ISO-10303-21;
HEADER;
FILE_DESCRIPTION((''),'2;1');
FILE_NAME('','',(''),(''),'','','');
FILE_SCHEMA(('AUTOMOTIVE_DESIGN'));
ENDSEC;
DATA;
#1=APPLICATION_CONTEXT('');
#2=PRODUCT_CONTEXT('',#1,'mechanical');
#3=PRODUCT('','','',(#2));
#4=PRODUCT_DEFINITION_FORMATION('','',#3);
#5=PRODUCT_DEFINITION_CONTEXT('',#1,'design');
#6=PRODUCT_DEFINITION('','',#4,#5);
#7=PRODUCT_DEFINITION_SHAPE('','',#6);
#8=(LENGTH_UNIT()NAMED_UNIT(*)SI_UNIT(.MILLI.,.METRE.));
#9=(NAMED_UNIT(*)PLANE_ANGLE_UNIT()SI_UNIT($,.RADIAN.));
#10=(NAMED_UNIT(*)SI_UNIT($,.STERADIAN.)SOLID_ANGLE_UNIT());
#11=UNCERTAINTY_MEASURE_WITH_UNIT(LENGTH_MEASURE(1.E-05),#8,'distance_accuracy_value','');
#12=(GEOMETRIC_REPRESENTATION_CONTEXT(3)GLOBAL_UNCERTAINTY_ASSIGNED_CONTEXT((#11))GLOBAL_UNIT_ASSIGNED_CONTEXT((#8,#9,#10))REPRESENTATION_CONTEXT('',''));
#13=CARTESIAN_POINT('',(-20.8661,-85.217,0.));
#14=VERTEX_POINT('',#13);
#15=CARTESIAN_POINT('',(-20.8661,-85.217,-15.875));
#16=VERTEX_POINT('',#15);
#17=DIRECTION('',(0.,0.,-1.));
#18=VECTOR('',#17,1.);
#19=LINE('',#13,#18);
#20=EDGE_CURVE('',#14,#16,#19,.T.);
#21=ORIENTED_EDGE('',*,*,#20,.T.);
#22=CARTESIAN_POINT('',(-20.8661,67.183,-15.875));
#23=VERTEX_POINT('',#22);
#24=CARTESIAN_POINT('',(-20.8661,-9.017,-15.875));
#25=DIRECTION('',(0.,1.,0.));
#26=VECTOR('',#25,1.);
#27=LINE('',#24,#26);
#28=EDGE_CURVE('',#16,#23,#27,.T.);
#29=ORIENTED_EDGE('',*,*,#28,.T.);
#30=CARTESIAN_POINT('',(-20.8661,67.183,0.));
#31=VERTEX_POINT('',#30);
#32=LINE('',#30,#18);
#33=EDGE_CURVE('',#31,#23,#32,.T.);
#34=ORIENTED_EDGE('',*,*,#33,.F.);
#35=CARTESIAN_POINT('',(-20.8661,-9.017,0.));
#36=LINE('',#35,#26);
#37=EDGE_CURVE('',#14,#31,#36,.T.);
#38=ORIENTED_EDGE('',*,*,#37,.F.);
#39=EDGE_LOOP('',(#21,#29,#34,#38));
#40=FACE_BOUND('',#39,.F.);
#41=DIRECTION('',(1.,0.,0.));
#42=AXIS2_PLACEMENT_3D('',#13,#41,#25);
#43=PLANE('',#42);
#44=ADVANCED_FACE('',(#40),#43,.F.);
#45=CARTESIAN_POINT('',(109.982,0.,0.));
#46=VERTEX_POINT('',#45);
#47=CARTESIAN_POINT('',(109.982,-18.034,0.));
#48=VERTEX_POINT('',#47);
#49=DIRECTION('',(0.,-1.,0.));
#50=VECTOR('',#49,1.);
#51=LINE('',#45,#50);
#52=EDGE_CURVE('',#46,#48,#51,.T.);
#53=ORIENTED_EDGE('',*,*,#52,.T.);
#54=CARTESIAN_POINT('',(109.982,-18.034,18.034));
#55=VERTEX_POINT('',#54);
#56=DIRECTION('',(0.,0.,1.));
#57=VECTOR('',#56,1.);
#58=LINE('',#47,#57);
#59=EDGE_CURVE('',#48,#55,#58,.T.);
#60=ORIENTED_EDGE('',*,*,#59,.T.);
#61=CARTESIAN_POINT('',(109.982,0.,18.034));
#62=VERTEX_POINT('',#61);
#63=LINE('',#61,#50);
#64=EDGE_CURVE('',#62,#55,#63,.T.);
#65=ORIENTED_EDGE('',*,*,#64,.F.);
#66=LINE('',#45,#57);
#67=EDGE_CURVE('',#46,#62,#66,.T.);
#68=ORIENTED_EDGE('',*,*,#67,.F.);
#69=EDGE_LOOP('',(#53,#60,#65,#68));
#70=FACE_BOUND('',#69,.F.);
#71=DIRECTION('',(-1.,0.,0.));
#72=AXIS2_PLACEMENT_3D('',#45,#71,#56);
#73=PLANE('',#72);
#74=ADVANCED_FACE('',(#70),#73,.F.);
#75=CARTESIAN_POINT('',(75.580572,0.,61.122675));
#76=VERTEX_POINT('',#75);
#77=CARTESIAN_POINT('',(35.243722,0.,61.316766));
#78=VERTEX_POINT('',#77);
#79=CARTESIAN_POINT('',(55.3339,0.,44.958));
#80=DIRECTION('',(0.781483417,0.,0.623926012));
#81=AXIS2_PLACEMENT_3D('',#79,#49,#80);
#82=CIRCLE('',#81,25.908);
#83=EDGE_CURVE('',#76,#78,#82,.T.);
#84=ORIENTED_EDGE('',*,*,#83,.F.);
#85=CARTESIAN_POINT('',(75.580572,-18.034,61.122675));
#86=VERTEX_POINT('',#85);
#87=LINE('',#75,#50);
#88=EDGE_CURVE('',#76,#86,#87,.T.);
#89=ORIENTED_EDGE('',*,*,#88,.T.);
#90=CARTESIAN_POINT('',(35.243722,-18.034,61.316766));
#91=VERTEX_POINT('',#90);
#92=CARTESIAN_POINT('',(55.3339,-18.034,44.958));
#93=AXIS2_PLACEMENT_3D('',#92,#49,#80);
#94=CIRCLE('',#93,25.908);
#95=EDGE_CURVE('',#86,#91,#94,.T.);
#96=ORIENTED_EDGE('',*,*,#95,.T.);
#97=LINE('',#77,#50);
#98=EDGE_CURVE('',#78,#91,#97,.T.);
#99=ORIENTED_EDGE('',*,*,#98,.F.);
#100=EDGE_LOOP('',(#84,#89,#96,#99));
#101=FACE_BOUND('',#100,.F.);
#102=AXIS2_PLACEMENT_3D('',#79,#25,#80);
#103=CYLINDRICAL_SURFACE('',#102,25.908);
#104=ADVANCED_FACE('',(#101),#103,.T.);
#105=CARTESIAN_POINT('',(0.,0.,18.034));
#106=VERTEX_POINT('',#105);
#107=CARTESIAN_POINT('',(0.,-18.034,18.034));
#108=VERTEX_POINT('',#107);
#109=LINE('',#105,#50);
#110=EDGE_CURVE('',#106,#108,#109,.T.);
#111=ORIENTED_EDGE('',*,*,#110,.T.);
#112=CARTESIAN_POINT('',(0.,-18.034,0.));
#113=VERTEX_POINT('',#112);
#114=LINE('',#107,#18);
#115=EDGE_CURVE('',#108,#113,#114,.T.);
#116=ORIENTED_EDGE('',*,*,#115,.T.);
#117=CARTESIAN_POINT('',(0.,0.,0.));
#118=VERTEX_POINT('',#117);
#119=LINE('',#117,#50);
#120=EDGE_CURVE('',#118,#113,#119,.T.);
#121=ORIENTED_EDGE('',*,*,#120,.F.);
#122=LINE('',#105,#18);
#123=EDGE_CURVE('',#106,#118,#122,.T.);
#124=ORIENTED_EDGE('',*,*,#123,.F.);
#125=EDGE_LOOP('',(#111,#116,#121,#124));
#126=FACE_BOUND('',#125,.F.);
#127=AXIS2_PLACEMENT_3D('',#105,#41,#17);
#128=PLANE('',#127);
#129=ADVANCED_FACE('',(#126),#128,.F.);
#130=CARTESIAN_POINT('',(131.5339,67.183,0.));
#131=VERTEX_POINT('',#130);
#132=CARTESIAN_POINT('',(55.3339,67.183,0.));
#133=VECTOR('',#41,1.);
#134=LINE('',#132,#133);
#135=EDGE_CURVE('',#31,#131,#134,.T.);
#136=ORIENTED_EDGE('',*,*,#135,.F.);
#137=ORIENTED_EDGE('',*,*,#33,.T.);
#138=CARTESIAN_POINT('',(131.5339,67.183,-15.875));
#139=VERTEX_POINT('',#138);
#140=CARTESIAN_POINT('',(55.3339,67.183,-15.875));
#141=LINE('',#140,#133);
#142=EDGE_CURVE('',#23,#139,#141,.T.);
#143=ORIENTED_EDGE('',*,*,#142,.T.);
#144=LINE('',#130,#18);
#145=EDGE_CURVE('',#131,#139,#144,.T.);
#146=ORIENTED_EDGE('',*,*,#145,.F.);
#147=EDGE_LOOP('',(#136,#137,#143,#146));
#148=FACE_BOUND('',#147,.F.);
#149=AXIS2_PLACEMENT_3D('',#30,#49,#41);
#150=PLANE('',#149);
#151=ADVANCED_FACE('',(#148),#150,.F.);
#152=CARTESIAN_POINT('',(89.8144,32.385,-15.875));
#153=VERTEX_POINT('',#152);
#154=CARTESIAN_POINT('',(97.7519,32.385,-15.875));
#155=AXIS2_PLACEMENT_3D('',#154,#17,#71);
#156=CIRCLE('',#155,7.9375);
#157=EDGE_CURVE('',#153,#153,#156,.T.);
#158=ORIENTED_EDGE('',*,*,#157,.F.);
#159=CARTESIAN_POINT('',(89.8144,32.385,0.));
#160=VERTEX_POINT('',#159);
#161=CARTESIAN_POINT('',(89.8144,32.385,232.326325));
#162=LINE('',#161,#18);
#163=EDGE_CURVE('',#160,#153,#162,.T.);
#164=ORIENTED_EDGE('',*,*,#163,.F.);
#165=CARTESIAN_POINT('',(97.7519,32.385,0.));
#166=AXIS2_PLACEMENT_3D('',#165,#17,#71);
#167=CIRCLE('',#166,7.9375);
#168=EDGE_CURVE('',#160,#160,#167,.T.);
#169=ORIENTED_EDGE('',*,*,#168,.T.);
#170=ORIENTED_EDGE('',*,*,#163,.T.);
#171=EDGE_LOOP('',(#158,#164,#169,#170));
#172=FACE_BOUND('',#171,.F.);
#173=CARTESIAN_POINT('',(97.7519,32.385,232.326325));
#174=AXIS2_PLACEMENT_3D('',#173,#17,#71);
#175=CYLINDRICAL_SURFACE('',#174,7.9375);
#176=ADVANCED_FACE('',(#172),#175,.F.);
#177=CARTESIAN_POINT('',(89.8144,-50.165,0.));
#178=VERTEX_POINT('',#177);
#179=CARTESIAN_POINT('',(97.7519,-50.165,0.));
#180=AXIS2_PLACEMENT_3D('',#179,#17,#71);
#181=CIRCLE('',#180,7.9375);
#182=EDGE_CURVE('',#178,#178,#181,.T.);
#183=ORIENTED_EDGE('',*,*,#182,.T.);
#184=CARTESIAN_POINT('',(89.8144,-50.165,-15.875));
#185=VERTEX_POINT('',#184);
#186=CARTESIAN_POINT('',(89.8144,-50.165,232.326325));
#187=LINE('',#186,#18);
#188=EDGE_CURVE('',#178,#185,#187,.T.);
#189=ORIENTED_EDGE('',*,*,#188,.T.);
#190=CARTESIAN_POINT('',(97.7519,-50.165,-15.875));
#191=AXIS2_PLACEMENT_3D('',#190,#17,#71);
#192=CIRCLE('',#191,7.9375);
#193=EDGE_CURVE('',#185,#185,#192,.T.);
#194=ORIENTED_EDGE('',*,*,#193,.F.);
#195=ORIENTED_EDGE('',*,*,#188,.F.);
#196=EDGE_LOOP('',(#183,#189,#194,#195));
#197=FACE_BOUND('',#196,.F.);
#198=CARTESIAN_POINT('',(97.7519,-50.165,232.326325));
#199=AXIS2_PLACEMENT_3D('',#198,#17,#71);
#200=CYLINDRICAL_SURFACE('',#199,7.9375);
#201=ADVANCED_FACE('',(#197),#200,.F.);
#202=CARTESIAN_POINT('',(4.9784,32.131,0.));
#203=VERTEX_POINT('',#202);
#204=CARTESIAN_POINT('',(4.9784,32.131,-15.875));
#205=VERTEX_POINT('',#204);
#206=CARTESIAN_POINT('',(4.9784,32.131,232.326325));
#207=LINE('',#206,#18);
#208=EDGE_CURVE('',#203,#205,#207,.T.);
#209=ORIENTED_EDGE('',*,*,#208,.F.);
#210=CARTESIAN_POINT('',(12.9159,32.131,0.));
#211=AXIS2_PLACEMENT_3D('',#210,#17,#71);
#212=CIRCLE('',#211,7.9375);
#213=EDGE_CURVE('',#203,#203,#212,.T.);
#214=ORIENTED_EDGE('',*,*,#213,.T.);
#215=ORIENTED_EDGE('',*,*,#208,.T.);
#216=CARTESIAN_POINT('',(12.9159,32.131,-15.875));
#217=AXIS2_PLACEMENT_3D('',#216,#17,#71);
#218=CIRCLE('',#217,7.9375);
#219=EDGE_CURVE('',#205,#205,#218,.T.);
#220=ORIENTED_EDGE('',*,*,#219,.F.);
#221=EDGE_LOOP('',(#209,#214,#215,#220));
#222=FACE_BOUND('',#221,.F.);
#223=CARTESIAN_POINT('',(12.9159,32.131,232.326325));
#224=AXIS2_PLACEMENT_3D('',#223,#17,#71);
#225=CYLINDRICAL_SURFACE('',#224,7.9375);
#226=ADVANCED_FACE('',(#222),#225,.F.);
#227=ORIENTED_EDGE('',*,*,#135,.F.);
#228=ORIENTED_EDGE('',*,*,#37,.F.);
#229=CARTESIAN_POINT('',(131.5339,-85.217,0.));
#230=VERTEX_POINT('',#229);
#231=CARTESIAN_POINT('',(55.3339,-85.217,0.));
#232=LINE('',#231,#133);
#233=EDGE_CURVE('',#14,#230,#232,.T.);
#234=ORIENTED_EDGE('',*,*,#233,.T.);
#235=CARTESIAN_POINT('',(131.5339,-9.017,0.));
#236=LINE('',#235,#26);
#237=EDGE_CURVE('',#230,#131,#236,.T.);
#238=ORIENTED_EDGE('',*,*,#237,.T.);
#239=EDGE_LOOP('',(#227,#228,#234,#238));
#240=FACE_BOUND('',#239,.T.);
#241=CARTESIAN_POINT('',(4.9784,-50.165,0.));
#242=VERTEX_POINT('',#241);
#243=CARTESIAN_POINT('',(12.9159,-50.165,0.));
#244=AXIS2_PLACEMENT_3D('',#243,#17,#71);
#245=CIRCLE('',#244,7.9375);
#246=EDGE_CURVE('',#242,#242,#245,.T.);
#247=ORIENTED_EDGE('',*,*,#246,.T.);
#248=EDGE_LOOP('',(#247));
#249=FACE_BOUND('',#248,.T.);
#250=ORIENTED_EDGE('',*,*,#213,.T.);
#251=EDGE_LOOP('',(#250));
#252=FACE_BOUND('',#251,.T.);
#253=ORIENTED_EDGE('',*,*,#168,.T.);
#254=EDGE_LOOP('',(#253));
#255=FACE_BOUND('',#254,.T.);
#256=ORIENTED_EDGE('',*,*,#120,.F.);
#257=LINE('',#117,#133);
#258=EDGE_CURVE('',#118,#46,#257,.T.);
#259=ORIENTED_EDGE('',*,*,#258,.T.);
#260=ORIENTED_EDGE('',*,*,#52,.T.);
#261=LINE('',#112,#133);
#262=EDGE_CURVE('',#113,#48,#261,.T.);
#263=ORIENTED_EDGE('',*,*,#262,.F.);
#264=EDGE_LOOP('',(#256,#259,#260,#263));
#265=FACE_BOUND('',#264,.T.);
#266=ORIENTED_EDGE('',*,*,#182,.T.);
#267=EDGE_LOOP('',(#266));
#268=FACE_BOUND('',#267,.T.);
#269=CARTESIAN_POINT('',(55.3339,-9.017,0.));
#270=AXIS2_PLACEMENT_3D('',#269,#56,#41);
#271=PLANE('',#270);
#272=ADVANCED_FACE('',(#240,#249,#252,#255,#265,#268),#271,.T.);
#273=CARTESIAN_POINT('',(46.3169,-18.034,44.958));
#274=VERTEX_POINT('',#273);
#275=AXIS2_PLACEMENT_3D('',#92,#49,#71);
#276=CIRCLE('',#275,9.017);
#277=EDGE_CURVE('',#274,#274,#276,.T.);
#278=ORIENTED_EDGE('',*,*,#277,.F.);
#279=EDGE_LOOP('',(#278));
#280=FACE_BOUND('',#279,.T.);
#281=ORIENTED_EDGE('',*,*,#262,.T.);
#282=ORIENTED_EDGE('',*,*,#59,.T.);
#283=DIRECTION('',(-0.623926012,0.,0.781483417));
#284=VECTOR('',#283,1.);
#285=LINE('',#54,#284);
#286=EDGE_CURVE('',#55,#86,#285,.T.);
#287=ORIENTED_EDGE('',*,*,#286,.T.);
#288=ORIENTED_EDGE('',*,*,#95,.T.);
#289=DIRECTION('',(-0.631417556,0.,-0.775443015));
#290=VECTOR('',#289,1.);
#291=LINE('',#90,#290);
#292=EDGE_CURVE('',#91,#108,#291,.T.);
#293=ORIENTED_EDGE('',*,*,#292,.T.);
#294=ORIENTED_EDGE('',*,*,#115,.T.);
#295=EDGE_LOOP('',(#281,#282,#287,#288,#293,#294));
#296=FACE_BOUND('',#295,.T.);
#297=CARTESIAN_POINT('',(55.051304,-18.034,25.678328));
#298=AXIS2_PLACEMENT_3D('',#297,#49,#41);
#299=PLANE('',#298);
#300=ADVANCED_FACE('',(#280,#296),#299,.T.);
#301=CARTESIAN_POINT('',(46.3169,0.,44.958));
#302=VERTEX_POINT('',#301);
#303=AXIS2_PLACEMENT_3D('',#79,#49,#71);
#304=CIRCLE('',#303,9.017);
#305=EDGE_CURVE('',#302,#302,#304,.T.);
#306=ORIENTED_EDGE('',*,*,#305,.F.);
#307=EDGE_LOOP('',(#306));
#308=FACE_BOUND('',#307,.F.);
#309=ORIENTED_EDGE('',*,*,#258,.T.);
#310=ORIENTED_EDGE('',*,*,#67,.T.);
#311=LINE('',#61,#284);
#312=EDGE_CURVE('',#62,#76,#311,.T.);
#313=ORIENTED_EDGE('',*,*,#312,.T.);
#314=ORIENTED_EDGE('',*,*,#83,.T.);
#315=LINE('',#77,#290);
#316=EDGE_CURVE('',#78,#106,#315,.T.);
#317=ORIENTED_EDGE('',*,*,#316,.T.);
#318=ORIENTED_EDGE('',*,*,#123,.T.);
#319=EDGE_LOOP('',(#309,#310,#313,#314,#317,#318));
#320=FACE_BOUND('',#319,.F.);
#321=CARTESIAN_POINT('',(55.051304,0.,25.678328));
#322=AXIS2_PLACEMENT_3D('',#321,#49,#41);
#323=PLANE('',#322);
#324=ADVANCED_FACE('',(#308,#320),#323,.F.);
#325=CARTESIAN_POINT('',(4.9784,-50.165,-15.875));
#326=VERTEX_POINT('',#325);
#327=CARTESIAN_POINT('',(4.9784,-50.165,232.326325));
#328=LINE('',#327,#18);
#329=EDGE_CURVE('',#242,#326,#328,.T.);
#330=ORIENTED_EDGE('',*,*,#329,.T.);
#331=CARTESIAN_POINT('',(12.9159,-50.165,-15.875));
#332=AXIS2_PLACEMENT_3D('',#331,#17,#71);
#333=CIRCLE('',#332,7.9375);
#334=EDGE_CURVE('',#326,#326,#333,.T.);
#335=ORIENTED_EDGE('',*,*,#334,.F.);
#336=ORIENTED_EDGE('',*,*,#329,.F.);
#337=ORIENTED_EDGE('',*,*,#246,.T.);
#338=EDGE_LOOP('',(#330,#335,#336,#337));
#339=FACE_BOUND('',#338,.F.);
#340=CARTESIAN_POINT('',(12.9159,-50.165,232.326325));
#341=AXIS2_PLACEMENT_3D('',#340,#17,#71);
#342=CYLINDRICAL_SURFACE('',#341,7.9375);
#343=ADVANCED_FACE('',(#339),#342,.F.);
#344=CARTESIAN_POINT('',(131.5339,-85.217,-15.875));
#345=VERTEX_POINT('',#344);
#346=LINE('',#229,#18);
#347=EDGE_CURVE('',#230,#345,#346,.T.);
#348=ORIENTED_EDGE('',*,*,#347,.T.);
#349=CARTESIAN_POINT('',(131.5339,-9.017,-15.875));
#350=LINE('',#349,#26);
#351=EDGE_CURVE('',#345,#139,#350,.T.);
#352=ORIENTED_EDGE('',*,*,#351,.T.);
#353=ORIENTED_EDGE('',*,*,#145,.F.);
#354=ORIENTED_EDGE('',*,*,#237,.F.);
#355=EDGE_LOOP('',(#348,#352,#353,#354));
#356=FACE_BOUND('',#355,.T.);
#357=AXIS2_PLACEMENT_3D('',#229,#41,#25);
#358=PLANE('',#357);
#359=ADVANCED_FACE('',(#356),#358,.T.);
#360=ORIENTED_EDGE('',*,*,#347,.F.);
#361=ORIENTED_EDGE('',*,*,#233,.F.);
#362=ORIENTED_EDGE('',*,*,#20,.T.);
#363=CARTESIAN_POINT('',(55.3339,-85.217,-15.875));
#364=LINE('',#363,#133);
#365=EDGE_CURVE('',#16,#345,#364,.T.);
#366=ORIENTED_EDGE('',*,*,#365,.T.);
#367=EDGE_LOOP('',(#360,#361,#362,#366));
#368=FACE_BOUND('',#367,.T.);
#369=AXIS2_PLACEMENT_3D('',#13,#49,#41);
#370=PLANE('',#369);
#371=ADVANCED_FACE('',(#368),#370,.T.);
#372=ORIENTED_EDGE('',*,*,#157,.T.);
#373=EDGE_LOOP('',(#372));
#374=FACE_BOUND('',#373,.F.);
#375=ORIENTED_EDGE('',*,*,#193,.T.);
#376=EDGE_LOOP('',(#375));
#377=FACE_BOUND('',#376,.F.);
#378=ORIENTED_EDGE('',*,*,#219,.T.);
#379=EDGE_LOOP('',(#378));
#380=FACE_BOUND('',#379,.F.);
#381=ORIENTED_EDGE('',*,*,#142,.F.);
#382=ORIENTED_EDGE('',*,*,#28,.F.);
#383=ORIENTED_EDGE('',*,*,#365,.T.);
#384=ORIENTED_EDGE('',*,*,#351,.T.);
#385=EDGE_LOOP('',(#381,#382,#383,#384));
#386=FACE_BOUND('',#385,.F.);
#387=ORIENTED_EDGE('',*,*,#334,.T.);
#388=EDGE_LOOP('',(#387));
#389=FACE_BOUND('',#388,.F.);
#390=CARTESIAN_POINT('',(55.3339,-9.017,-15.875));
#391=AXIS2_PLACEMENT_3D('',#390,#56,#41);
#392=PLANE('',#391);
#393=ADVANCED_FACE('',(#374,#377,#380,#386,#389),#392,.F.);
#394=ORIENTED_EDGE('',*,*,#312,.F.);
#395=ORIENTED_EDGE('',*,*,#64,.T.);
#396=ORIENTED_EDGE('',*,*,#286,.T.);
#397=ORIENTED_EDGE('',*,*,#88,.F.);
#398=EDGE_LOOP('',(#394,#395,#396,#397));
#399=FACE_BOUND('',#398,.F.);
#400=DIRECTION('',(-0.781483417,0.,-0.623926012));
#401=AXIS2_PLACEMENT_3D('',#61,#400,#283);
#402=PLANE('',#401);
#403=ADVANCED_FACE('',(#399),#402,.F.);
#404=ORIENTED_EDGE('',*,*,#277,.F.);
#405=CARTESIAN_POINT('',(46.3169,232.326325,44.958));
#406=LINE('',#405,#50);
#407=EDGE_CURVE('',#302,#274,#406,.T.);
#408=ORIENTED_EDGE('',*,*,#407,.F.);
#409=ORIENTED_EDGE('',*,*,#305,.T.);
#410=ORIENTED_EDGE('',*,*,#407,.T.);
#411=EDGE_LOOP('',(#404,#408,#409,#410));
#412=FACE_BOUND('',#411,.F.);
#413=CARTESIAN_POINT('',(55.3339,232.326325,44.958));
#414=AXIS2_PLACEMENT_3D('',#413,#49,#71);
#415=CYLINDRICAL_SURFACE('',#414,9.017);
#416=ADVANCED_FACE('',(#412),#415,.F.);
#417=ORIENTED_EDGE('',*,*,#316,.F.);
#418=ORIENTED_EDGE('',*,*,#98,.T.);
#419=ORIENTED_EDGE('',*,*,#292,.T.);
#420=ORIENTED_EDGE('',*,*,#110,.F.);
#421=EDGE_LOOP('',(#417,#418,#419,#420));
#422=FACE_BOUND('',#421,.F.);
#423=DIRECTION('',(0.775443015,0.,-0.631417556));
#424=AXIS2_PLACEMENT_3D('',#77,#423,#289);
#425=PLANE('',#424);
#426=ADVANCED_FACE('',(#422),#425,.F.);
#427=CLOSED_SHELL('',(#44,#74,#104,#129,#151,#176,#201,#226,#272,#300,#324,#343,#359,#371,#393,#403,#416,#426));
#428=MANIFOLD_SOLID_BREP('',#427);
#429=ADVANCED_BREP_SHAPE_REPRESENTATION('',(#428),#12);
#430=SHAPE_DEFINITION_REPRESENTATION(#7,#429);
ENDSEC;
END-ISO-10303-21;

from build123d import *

# Parameters (mm, degrees)
F1_DEPTH = 18.034
F2_W     = 152.4
F2_H     = 152.4
F3_DEPTH = 15.875
F4_D     = 18.034
F5_D     = 15.875


with BuildPart() as f1:
    # F0 (on Front) → F1 (new body)
    with BuildSketch(Plane.XZ):
        with BuildLine():
            Line((0, 18.034), (0, 0))
            Line((0, 0), (109.982, 0))
            Line((109.982, 0), (109.982, 18.034))
            Line((109.982, 18.034), (75.5805723786, 61.1226751156))
            ThreePointArc((75.5805723786, 61.1226751156), (55.4585614287, 70.8657000818), (35.2437223557, 61.316766036))
            Line((35.2437223557, 61.316766036), (0, 18.034))
        make_face()
    extrude(amount=F1_DEPTH)

    # F2 (on Top) → F3 (join)
    with BuildSketch(Plane.XY):
        with Locations((55.3339, -9.017)):
            Rectangle(F2_W, F2_H)
    extrude(amount=-F3_DEPTH)

    # F4 (through all)
    with Locations(Plane(origin=(0, 0, 0), x_dir=(1, 0, 0), z_dir=(0, 1, 0))):
        with Locations((55.3339, -44.958)):
            Hole(F4_D / 2)

    # F5 (through all)
    with Locations(Plane.XY):
        with Locations((97.7519, -50.165), (12.9159, -50.165), (12.9159, 32.131), (97.7519, 32.385)):
            Hole(F5_D / 2)


solid = f1.part
